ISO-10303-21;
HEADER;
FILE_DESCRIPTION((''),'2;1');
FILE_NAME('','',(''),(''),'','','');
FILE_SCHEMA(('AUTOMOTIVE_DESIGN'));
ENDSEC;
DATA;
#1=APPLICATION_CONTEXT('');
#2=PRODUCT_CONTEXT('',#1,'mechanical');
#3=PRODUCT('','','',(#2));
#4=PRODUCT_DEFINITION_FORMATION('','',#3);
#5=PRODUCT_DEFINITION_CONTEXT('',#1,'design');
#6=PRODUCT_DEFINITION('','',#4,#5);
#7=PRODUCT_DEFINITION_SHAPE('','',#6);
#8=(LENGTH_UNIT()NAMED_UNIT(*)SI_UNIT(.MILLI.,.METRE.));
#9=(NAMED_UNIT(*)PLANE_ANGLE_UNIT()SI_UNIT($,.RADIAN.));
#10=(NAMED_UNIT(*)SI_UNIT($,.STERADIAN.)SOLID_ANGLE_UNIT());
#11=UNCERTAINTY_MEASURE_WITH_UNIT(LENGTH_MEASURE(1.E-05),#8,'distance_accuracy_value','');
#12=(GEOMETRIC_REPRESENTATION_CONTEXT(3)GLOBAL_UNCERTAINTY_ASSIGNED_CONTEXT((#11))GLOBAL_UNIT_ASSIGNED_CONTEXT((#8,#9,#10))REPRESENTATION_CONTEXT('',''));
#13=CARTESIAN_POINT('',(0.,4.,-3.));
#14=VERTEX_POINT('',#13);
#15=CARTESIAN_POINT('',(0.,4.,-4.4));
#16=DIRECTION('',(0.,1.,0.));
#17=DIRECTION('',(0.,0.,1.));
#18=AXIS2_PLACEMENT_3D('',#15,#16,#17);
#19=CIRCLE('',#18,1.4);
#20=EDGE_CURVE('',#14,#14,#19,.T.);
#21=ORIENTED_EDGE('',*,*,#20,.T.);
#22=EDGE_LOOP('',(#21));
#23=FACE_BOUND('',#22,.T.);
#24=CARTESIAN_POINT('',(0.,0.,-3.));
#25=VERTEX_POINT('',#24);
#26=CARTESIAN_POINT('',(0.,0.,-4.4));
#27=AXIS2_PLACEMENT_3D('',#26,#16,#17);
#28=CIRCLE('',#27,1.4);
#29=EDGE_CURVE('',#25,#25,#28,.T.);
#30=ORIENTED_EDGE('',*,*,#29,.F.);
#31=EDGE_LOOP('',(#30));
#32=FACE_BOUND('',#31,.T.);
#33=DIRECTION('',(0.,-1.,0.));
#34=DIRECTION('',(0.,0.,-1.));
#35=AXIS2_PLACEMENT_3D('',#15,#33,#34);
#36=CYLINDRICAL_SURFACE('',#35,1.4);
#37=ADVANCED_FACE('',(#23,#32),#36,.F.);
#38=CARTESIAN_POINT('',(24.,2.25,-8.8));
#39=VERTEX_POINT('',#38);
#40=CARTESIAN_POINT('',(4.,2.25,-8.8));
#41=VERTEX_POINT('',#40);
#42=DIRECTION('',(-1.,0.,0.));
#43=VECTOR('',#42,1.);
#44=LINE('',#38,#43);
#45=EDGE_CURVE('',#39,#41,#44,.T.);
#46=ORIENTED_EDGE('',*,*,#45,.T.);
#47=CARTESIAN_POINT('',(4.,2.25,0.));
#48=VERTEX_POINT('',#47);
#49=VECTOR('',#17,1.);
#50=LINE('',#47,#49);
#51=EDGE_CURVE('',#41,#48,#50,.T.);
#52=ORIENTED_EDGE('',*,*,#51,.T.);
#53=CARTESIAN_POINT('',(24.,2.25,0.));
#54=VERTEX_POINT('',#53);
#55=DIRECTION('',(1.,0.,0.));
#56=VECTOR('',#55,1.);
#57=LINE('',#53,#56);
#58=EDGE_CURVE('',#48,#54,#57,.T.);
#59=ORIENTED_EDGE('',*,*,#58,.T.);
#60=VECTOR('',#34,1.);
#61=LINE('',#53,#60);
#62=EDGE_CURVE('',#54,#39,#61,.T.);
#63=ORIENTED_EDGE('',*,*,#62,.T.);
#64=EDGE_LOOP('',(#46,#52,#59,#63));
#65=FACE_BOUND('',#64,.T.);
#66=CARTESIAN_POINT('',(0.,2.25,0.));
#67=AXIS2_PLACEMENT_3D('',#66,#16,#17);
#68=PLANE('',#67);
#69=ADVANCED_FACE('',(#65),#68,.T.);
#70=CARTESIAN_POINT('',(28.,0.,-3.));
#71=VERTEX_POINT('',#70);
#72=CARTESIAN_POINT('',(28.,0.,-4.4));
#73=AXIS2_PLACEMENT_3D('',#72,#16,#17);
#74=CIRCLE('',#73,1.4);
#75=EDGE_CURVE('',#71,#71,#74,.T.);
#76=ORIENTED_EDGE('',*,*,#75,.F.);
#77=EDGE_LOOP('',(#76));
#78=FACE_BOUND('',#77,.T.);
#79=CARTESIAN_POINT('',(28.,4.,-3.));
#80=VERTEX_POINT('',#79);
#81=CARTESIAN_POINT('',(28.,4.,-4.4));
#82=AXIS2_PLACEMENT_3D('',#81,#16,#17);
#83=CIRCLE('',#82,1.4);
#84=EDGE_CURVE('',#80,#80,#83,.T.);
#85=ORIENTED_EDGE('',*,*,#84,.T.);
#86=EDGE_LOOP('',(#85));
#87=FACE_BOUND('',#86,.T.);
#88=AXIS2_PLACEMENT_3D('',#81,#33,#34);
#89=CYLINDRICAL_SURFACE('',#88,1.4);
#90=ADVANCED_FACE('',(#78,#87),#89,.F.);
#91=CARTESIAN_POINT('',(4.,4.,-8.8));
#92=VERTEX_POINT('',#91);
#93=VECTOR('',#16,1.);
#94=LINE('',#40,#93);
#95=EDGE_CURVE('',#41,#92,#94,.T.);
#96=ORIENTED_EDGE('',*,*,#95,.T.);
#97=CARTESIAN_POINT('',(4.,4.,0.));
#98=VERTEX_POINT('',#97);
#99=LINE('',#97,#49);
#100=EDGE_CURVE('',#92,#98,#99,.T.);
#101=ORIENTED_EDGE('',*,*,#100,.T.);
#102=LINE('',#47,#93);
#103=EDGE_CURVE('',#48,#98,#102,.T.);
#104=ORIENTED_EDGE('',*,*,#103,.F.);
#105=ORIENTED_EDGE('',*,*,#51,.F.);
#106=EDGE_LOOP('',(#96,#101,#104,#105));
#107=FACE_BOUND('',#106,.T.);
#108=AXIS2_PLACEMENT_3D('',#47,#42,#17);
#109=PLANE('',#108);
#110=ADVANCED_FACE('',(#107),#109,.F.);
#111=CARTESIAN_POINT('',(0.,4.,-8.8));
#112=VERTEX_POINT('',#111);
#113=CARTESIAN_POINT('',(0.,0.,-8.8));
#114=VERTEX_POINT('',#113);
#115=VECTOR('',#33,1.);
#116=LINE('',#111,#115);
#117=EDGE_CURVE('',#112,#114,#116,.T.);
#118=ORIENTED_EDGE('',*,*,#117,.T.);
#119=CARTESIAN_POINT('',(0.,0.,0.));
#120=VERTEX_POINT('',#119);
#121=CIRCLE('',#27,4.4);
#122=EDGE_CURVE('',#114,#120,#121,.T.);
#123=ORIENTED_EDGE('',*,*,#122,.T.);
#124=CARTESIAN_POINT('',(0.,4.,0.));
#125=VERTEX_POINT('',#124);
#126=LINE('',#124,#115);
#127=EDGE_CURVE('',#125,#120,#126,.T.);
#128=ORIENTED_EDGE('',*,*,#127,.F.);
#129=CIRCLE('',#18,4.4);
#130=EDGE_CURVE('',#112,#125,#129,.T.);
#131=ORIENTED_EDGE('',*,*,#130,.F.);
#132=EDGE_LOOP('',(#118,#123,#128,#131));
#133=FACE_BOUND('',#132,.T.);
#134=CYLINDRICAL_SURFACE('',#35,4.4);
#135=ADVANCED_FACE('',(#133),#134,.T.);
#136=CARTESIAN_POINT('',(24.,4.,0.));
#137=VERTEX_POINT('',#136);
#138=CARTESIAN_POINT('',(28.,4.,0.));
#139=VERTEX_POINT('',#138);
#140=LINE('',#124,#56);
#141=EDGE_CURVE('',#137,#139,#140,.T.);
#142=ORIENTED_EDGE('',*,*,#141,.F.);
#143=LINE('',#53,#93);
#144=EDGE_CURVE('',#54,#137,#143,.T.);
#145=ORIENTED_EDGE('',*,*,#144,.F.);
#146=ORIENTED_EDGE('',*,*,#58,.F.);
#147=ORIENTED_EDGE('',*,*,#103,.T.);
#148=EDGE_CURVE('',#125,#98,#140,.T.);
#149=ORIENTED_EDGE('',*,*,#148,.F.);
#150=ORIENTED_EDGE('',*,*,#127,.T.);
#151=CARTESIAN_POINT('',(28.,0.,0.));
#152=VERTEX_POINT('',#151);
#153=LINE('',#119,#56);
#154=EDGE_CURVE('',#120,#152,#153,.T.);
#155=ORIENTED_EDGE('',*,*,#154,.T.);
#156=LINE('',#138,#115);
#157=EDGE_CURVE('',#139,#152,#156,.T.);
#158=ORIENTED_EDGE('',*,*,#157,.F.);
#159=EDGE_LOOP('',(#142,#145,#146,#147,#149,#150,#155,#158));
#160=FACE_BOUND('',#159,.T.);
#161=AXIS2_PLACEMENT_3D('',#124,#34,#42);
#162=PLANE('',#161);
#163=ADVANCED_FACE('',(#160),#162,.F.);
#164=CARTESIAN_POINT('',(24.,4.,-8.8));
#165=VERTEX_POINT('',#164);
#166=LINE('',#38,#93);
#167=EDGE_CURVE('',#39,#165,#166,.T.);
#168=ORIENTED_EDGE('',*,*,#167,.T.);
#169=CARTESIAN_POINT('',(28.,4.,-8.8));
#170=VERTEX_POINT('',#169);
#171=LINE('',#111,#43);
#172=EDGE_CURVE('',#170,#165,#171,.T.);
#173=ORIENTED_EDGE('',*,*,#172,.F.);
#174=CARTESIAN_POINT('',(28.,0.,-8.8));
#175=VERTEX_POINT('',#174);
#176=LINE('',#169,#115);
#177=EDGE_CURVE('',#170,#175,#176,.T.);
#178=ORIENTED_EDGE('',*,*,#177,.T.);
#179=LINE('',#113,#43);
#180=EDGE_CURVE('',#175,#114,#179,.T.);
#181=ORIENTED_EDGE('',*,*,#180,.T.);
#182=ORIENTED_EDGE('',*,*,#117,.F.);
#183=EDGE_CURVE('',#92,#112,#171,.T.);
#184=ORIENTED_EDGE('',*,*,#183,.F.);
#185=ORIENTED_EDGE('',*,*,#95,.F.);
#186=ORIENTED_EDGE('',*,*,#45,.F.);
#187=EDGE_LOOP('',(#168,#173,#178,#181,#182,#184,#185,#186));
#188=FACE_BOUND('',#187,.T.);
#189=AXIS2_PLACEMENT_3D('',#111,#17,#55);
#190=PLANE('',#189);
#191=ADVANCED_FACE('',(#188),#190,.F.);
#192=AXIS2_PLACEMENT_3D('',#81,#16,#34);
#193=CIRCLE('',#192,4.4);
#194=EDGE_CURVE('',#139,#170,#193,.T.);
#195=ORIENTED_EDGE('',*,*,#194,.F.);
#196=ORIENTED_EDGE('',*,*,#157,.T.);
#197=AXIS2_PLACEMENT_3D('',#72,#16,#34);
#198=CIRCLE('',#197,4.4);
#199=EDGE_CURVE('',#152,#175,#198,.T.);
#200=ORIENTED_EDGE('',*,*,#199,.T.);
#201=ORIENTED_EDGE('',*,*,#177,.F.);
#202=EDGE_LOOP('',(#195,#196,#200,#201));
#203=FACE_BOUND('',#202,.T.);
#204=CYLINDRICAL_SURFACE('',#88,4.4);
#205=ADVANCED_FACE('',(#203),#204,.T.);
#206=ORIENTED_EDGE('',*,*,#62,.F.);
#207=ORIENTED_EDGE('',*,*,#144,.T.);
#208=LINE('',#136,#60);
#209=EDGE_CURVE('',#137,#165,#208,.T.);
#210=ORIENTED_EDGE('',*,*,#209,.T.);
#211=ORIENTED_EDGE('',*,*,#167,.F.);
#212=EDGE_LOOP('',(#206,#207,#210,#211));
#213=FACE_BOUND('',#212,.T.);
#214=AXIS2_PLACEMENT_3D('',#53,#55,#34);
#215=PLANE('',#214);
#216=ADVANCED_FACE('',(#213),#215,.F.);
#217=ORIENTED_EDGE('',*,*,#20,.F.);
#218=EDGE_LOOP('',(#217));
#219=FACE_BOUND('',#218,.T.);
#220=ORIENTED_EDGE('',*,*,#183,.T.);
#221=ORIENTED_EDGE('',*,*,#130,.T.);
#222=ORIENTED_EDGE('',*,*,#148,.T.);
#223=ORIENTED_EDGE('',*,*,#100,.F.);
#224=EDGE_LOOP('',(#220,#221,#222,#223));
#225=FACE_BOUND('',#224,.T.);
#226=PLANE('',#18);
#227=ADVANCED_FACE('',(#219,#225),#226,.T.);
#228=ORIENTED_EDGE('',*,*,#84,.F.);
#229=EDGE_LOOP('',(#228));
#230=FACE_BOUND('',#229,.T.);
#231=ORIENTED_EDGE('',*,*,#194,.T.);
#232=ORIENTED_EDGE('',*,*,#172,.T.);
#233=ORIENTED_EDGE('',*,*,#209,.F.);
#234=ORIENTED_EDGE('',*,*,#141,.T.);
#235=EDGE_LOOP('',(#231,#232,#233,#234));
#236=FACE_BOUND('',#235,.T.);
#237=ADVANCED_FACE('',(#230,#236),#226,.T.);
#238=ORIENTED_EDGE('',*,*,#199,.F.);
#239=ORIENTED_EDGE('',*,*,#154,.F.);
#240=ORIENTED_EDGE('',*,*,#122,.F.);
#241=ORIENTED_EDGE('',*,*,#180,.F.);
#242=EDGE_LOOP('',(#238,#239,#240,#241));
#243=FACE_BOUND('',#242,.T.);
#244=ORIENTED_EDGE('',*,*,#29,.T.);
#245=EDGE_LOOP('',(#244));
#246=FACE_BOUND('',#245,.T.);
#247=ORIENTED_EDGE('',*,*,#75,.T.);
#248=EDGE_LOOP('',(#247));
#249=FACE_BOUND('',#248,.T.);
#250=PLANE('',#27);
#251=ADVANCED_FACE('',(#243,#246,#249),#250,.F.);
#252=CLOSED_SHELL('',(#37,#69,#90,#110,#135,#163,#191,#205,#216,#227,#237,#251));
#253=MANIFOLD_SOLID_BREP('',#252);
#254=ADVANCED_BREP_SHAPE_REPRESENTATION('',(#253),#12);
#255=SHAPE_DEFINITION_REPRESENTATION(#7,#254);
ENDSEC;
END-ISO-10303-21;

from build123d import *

# Parameters (mm, degrees)
SKETCH1_R           = 1.4
BOSS_EXTRUDE1_DEPTH = 4
SKETCH2_W           = 20
SKETCH2_H           = 8.8
CUT_EXTRUDE1_DEPTH  = 1.75


with BuildPart() as part:
    # Sketch1 → Boss-Extrude1 (new body)
    with BuildSketch(Plane(origin=(0, 0, 0), x_dir=(1, 0, 0), z_dir=(0, 1, 0))):
        with BuildLine():
            Line((0, 0), (28, 0))
            ThreePointArc((28, 0), (32.4, 4.4), (28, 8.8))
            Line((28, 8.8), (0, 8.8))
            ThreePointArc((0, 8.8), (-4.4, 4.4), (0, 0))
        make_face()
        with Locations((0, 4.4)):
            Circle(SKETCH1_R, mode=Mode.SUBTRACT)
        with Locations((28, 4.4)):
            Circle(SKETCH1_R, mode=Mode.SUBTRACT)
    extrude(amount=BOSS_EXTRUDE1_DEPTH)

    # Sketch2 → Cut-Extrude1 (cut)
    with BuildSketch(Plane(origin=(0, 4, 0), x_dir=(1, 0, 0), z_dir=(0, 1, 0))):
        with Locations((14, 4.4)):
            Rectangle(SKETCH2_W, SKETCH2_H)
    extrude(amount=-CUT_EXTRUDE1_DEPTH, mode=Mode.SUBTRACT)


solid = part.part
